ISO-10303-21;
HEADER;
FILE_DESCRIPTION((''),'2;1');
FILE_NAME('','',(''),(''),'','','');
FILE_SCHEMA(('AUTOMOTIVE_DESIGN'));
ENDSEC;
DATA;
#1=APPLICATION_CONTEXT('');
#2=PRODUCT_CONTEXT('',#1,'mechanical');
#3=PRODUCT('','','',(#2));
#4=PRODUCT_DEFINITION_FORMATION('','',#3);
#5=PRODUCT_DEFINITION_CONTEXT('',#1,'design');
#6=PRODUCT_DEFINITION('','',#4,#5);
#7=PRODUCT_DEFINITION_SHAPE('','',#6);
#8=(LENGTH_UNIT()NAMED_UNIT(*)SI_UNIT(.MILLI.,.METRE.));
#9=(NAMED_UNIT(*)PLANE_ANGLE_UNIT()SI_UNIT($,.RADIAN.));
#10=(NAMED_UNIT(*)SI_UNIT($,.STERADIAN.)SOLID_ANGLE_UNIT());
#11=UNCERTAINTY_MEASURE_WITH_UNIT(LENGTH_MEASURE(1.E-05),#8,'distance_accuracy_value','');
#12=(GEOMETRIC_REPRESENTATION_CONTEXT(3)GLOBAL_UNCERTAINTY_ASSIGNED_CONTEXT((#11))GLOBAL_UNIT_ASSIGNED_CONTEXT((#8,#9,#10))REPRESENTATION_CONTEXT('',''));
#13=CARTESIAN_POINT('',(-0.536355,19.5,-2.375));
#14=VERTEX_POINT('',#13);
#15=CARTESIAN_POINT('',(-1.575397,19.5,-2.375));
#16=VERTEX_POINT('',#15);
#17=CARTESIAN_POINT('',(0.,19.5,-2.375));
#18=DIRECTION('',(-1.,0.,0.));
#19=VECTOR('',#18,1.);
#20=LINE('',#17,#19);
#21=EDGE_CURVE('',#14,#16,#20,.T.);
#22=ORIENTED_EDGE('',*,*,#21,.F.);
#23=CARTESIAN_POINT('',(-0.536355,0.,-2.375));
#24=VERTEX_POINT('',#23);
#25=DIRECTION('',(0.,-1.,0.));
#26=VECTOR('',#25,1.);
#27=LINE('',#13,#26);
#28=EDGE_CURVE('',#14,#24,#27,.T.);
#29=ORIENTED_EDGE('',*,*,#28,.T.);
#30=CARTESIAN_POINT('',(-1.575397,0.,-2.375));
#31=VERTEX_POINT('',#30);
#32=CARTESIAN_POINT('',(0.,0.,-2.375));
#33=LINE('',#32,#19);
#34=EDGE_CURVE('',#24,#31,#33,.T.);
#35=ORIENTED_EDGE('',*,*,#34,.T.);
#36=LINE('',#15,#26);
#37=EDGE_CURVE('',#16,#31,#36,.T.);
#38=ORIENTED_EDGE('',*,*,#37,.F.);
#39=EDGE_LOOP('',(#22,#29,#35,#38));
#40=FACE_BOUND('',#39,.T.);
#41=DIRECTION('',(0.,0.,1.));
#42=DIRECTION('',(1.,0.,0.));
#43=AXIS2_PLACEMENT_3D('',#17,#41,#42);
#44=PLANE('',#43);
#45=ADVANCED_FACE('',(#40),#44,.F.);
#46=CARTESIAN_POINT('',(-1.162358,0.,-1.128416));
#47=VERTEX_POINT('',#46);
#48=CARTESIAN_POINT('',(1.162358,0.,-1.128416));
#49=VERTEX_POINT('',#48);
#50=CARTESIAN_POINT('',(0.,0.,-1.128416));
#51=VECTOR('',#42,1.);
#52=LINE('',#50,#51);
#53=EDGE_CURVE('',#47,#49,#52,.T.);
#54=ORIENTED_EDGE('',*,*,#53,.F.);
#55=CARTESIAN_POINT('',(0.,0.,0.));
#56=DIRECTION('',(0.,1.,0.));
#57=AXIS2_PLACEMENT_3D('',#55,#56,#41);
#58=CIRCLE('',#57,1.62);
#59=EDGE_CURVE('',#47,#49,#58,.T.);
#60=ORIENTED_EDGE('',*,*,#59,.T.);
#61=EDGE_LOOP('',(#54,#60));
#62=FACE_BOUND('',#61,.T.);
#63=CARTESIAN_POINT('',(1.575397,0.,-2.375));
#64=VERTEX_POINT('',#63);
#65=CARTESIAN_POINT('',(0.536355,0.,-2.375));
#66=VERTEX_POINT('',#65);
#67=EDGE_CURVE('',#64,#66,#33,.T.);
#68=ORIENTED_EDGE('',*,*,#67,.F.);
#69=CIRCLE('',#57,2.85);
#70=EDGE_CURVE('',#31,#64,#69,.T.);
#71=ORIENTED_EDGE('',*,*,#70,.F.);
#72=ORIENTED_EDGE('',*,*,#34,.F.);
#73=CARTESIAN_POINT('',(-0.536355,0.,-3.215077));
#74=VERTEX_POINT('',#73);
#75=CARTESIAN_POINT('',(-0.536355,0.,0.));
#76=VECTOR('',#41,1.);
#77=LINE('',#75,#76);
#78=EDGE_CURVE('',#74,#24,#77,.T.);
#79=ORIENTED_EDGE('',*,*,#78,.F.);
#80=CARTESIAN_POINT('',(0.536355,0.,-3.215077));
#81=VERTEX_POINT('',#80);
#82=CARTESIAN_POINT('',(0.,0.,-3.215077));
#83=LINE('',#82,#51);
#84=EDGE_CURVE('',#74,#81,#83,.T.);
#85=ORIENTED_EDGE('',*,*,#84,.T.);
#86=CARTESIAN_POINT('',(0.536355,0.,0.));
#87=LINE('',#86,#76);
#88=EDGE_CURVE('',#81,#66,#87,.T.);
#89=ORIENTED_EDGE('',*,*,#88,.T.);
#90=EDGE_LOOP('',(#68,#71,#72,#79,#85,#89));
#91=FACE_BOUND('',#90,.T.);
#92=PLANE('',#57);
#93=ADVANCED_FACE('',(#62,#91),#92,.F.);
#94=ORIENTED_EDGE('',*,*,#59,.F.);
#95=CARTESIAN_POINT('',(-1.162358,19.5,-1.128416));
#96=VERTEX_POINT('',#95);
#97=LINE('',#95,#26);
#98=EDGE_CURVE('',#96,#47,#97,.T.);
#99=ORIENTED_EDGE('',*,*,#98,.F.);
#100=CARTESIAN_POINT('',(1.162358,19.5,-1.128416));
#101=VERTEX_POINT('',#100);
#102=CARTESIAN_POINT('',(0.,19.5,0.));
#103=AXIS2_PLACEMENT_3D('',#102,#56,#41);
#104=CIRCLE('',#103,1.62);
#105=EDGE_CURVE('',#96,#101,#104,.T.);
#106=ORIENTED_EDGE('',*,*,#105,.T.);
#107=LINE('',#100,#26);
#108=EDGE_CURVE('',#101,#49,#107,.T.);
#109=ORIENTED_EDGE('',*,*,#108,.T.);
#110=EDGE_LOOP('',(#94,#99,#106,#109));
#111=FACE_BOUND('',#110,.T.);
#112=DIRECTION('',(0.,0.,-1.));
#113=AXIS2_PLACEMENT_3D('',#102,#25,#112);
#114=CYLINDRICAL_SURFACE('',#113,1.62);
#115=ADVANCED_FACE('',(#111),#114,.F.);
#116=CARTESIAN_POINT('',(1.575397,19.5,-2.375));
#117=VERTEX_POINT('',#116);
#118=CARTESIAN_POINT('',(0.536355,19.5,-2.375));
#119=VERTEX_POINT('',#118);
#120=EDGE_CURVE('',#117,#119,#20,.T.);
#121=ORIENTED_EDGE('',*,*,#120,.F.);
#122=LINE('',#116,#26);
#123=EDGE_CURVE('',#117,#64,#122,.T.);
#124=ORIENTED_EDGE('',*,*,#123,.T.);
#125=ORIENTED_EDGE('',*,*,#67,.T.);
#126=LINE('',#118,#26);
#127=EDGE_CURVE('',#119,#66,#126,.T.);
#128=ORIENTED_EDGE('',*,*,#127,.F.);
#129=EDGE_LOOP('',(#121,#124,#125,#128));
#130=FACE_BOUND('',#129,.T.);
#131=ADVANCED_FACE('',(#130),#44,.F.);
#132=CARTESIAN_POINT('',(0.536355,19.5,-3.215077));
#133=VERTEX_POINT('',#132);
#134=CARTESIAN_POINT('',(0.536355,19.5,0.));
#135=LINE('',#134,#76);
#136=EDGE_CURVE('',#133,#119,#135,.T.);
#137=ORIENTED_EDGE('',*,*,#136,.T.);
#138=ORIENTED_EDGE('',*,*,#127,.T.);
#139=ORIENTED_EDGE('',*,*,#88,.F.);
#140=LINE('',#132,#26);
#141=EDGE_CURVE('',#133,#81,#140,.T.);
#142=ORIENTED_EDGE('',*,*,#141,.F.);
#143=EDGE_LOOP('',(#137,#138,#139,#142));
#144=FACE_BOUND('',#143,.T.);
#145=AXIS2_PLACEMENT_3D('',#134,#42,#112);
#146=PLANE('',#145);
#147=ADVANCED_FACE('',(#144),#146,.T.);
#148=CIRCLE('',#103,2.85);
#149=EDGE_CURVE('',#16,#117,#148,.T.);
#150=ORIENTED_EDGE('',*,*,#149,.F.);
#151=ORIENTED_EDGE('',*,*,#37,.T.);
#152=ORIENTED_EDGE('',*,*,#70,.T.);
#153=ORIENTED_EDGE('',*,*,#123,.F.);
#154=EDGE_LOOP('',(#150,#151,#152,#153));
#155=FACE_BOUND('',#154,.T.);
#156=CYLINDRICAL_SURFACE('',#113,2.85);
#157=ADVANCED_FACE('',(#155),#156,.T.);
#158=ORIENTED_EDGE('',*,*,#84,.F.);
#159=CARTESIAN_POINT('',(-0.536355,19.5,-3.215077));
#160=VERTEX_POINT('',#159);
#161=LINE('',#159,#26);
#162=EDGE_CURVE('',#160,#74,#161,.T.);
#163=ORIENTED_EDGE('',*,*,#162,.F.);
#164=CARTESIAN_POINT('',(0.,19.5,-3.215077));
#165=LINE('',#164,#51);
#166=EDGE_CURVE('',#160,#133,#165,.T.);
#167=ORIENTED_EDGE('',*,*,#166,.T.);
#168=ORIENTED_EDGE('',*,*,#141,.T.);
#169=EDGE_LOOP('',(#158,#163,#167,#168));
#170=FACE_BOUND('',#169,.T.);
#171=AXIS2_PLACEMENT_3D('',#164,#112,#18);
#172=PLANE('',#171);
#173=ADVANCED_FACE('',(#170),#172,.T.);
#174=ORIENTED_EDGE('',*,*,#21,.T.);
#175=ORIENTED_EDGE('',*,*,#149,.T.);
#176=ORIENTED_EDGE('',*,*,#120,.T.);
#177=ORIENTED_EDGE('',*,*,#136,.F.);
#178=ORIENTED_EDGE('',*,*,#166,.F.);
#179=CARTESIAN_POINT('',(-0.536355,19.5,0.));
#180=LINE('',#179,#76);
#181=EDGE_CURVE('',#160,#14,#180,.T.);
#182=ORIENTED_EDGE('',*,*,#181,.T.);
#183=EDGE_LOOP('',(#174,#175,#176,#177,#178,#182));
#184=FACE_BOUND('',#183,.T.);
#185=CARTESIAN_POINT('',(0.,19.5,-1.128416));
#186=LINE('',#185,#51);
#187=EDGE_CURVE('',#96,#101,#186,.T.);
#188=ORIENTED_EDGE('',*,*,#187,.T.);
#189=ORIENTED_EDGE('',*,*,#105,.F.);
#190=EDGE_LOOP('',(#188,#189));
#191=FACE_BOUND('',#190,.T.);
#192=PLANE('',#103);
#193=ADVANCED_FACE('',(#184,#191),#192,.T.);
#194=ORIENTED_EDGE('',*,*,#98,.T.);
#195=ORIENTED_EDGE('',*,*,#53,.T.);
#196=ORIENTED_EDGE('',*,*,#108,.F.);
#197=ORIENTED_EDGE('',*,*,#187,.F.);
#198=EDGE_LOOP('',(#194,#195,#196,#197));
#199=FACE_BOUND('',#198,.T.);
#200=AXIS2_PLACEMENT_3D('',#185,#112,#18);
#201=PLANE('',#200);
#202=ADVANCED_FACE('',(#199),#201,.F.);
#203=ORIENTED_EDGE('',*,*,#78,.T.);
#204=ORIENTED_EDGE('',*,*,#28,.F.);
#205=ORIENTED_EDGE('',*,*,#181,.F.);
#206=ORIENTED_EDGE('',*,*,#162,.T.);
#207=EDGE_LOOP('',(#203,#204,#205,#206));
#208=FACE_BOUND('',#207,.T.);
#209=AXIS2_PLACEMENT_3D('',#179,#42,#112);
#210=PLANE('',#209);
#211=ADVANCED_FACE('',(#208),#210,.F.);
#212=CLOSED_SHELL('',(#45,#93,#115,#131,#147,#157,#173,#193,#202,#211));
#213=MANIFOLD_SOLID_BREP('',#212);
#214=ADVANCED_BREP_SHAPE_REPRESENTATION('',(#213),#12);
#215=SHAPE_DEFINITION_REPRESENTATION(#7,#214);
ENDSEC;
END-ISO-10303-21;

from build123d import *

# Parameters (mm, degrees)
EXTRUDE_1_DEPTH = 19.5


with BuildPart() as part:
    # 草图1 → 凸台-拉伸1 (new body)
    with BuildSketch(Plane(origin=(0, 0, 0), x_dir=(1, 0, 0), z_dir=(0, 1, 0))):
        with BuildLine():
            Line((-0.536355181, 3.215077001), (-0.536355181, 2.375))
            Line((-0.536355181, 2.375), (-1.575396775, 2.375))
            ThreePointArc((-1.575396775, 2.375), (0, -2.85), (1.575396775, 2.375))
            Line((1.575396775, 2.375), (0.536355181, 2.375))
            Line((0.536355181, 2.375), (0.536355181, 3.215077001))
            Line((0.536355181, 3.215077001), (-0.536355181, 3.215077001))
        make_face()
        with BuildLine():
            ThreePointArc((1.162358254, 1.128416275), (0, -1.62), (-1.162358254, 1.128416275))
            Line((-1.162358254, 1.128416275), (1.162358254, 1.128416275))
        make_face(mode=Mode.SUBTRACT)
    extrude(amount=EXTRUDE_1_DEPTH)


solid = part.part
